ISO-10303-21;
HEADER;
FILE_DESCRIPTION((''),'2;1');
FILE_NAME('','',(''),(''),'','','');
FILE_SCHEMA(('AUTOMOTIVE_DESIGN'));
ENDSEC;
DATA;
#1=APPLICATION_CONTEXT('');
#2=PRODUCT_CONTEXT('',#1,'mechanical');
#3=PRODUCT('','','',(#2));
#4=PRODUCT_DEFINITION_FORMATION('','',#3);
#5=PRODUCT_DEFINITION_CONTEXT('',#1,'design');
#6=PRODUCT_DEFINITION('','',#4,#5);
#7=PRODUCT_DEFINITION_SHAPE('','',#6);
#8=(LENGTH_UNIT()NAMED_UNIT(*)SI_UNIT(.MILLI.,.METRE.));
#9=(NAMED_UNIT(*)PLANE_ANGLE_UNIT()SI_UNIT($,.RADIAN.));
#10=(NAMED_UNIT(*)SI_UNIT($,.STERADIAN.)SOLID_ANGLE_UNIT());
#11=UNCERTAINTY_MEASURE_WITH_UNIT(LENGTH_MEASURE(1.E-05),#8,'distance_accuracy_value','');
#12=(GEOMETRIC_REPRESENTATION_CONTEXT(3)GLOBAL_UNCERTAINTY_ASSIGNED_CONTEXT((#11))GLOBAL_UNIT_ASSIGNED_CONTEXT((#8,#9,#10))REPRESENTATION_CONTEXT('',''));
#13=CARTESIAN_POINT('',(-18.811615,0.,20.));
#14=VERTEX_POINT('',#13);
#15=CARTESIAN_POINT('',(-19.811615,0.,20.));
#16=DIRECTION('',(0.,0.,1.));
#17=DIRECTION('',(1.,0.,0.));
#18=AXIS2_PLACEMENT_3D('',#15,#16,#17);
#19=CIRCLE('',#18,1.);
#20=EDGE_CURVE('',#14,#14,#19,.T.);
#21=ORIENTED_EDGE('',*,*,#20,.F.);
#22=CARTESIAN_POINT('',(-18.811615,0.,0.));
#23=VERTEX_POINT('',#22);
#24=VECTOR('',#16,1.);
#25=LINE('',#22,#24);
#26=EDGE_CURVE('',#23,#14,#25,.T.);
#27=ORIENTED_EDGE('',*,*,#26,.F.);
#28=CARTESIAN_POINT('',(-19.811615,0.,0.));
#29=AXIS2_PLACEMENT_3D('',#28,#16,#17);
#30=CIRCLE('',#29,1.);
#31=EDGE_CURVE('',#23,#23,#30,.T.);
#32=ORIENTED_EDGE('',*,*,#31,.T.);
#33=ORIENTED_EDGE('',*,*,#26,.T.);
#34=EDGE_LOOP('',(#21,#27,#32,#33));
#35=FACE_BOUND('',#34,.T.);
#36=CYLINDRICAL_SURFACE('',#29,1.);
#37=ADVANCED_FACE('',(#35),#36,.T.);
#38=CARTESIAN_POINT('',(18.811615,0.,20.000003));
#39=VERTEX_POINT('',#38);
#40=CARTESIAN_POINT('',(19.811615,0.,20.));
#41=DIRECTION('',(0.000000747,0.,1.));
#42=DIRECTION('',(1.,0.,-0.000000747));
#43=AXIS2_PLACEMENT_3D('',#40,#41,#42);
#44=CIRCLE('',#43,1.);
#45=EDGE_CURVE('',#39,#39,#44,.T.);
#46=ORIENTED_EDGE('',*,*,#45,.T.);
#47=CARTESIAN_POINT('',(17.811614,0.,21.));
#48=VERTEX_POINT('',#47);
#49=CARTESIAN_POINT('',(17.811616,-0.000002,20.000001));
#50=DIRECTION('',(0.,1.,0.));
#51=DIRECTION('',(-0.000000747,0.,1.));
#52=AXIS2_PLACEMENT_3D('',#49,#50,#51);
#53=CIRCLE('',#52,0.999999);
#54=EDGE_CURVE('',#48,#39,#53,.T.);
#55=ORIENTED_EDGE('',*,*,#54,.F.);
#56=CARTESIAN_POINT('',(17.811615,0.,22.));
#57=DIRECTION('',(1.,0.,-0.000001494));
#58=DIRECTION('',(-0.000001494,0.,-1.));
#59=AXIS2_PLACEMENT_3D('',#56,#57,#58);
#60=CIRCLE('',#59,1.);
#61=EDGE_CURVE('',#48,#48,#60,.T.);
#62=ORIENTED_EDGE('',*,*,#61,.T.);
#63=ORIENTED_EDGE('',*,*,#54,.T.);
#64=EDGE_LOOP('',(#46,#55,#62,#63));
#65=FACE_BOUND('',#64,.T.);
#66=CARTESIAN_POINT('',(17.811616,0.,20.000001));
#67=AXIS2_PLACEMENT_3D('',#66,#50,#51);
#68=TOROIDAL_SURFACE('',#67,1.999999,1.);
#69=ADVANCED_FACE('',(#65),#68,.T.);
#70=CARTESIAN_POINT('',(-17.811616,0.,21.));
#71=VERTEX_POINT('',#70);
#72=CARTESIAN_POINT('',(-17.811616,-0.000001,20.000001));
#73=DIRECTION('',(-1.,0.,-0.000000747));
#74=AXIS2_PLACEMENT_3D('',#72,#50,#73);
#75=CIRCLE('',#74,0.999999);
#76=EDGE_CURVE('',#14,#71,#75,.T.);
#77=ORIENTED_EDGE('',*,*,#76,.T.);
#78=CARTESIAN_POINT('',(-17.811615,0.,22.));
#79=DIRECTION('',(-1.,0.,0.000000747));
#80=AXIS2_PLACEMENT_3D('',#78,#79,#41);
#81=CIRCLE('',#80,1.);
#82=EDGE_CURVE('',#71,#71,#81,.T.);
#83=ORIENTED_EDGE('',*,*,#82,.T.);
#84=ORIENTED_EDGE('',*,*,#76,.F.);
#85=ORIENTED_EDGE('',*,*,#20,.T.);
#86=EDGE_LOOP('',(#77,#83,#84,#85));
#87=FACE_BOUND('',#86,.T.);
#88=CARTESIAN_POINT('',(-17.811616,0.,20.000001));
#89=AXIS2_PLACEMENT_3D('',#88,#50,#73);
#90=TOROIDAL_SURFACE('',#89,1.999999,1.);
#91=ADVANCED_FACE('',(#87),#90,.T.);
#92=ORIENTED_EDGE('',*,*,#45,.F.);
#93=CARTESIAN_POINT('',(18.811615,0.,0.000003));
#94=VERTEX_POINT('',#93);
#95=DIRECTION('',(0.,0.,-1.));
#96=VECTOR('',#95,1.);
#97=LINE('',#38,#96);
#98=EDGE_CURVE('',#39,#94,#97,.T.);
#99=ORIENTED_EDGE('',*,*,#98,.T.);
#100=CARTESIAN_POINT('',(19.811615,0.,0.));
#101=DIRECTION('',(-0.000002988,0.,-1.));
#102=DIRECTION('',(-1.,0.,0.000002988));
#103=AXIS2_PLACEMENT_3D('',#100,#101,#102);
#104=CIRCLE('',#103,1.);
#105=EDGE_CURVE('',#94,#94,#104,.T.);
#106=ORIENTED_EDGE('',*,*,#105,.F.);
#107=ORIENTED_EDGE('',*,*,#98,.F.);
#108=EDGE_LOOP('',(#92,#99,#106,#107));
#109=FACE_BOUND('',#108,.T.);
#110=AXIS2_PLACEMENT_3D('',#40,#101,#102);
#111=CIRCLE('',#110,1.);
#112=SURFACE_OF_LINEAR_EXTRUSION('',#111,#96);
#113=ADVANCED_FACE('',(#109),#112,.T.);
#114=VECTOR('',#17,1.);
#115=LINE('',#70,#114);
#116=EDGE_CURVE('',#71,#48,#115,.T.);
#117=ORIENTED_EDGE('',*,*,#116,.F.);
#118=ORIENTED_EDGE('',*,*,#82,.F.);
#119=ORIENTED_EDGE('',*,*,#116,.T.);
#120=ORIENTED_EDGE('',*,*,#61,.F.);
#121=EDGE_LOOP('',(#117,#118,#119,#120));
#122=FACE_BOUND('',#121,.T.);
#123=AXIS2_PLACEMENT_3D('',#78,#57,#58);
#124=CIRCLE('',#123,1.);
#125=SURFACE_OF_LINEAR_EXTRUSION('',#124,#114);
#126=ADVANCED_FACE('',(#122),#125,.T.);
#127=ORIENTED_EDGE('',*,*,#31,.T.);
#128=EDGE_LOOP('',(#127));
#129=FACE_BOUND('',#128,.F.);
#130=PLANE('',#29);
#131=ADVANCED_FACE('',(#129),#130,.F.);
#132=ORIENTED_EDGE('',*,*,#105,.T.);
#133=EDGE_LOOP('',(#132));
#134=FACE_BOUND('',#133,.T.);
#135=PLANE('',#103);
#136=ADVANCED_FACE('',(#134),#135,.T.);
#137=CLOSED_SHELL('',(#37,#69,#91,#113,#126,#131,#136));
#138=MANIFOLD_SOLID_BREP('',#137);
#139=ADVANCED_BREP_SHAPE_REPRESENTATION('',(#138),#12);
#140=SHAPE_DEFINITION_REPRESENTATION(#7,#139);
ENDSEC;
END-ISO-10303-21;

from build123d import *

# Parameters (mm, degrees)
F0_R = 1


with BuildPart() as f2:
    # F2: sweep along a path in F1
    with BuildLine(Plane.XZ) as f2_path:
        Line((-19.811615, 0), (-19.811615, 20))
        ThreePointArc((-19.811615, 20), (-19.225829, 21.414214), (-17.811615, 22))
        Line((-17.811615, 22), (0, 22))
        Line((0, 22), (17.811615, 22))
        ThreePointArc((17.811615, 22), (19.225829, 21.414214), (19.811615, 20))
        Line((19.811615, 20), (19.811615, 0))
    # F0 (on Top) → F2 (sweep)
    with BuildSketch(Plane.XY):
        with Locations((-19.811615, 0)):
            Circle(F0_R)
    sweep(path=f2_path.line)


solid = f2.part
